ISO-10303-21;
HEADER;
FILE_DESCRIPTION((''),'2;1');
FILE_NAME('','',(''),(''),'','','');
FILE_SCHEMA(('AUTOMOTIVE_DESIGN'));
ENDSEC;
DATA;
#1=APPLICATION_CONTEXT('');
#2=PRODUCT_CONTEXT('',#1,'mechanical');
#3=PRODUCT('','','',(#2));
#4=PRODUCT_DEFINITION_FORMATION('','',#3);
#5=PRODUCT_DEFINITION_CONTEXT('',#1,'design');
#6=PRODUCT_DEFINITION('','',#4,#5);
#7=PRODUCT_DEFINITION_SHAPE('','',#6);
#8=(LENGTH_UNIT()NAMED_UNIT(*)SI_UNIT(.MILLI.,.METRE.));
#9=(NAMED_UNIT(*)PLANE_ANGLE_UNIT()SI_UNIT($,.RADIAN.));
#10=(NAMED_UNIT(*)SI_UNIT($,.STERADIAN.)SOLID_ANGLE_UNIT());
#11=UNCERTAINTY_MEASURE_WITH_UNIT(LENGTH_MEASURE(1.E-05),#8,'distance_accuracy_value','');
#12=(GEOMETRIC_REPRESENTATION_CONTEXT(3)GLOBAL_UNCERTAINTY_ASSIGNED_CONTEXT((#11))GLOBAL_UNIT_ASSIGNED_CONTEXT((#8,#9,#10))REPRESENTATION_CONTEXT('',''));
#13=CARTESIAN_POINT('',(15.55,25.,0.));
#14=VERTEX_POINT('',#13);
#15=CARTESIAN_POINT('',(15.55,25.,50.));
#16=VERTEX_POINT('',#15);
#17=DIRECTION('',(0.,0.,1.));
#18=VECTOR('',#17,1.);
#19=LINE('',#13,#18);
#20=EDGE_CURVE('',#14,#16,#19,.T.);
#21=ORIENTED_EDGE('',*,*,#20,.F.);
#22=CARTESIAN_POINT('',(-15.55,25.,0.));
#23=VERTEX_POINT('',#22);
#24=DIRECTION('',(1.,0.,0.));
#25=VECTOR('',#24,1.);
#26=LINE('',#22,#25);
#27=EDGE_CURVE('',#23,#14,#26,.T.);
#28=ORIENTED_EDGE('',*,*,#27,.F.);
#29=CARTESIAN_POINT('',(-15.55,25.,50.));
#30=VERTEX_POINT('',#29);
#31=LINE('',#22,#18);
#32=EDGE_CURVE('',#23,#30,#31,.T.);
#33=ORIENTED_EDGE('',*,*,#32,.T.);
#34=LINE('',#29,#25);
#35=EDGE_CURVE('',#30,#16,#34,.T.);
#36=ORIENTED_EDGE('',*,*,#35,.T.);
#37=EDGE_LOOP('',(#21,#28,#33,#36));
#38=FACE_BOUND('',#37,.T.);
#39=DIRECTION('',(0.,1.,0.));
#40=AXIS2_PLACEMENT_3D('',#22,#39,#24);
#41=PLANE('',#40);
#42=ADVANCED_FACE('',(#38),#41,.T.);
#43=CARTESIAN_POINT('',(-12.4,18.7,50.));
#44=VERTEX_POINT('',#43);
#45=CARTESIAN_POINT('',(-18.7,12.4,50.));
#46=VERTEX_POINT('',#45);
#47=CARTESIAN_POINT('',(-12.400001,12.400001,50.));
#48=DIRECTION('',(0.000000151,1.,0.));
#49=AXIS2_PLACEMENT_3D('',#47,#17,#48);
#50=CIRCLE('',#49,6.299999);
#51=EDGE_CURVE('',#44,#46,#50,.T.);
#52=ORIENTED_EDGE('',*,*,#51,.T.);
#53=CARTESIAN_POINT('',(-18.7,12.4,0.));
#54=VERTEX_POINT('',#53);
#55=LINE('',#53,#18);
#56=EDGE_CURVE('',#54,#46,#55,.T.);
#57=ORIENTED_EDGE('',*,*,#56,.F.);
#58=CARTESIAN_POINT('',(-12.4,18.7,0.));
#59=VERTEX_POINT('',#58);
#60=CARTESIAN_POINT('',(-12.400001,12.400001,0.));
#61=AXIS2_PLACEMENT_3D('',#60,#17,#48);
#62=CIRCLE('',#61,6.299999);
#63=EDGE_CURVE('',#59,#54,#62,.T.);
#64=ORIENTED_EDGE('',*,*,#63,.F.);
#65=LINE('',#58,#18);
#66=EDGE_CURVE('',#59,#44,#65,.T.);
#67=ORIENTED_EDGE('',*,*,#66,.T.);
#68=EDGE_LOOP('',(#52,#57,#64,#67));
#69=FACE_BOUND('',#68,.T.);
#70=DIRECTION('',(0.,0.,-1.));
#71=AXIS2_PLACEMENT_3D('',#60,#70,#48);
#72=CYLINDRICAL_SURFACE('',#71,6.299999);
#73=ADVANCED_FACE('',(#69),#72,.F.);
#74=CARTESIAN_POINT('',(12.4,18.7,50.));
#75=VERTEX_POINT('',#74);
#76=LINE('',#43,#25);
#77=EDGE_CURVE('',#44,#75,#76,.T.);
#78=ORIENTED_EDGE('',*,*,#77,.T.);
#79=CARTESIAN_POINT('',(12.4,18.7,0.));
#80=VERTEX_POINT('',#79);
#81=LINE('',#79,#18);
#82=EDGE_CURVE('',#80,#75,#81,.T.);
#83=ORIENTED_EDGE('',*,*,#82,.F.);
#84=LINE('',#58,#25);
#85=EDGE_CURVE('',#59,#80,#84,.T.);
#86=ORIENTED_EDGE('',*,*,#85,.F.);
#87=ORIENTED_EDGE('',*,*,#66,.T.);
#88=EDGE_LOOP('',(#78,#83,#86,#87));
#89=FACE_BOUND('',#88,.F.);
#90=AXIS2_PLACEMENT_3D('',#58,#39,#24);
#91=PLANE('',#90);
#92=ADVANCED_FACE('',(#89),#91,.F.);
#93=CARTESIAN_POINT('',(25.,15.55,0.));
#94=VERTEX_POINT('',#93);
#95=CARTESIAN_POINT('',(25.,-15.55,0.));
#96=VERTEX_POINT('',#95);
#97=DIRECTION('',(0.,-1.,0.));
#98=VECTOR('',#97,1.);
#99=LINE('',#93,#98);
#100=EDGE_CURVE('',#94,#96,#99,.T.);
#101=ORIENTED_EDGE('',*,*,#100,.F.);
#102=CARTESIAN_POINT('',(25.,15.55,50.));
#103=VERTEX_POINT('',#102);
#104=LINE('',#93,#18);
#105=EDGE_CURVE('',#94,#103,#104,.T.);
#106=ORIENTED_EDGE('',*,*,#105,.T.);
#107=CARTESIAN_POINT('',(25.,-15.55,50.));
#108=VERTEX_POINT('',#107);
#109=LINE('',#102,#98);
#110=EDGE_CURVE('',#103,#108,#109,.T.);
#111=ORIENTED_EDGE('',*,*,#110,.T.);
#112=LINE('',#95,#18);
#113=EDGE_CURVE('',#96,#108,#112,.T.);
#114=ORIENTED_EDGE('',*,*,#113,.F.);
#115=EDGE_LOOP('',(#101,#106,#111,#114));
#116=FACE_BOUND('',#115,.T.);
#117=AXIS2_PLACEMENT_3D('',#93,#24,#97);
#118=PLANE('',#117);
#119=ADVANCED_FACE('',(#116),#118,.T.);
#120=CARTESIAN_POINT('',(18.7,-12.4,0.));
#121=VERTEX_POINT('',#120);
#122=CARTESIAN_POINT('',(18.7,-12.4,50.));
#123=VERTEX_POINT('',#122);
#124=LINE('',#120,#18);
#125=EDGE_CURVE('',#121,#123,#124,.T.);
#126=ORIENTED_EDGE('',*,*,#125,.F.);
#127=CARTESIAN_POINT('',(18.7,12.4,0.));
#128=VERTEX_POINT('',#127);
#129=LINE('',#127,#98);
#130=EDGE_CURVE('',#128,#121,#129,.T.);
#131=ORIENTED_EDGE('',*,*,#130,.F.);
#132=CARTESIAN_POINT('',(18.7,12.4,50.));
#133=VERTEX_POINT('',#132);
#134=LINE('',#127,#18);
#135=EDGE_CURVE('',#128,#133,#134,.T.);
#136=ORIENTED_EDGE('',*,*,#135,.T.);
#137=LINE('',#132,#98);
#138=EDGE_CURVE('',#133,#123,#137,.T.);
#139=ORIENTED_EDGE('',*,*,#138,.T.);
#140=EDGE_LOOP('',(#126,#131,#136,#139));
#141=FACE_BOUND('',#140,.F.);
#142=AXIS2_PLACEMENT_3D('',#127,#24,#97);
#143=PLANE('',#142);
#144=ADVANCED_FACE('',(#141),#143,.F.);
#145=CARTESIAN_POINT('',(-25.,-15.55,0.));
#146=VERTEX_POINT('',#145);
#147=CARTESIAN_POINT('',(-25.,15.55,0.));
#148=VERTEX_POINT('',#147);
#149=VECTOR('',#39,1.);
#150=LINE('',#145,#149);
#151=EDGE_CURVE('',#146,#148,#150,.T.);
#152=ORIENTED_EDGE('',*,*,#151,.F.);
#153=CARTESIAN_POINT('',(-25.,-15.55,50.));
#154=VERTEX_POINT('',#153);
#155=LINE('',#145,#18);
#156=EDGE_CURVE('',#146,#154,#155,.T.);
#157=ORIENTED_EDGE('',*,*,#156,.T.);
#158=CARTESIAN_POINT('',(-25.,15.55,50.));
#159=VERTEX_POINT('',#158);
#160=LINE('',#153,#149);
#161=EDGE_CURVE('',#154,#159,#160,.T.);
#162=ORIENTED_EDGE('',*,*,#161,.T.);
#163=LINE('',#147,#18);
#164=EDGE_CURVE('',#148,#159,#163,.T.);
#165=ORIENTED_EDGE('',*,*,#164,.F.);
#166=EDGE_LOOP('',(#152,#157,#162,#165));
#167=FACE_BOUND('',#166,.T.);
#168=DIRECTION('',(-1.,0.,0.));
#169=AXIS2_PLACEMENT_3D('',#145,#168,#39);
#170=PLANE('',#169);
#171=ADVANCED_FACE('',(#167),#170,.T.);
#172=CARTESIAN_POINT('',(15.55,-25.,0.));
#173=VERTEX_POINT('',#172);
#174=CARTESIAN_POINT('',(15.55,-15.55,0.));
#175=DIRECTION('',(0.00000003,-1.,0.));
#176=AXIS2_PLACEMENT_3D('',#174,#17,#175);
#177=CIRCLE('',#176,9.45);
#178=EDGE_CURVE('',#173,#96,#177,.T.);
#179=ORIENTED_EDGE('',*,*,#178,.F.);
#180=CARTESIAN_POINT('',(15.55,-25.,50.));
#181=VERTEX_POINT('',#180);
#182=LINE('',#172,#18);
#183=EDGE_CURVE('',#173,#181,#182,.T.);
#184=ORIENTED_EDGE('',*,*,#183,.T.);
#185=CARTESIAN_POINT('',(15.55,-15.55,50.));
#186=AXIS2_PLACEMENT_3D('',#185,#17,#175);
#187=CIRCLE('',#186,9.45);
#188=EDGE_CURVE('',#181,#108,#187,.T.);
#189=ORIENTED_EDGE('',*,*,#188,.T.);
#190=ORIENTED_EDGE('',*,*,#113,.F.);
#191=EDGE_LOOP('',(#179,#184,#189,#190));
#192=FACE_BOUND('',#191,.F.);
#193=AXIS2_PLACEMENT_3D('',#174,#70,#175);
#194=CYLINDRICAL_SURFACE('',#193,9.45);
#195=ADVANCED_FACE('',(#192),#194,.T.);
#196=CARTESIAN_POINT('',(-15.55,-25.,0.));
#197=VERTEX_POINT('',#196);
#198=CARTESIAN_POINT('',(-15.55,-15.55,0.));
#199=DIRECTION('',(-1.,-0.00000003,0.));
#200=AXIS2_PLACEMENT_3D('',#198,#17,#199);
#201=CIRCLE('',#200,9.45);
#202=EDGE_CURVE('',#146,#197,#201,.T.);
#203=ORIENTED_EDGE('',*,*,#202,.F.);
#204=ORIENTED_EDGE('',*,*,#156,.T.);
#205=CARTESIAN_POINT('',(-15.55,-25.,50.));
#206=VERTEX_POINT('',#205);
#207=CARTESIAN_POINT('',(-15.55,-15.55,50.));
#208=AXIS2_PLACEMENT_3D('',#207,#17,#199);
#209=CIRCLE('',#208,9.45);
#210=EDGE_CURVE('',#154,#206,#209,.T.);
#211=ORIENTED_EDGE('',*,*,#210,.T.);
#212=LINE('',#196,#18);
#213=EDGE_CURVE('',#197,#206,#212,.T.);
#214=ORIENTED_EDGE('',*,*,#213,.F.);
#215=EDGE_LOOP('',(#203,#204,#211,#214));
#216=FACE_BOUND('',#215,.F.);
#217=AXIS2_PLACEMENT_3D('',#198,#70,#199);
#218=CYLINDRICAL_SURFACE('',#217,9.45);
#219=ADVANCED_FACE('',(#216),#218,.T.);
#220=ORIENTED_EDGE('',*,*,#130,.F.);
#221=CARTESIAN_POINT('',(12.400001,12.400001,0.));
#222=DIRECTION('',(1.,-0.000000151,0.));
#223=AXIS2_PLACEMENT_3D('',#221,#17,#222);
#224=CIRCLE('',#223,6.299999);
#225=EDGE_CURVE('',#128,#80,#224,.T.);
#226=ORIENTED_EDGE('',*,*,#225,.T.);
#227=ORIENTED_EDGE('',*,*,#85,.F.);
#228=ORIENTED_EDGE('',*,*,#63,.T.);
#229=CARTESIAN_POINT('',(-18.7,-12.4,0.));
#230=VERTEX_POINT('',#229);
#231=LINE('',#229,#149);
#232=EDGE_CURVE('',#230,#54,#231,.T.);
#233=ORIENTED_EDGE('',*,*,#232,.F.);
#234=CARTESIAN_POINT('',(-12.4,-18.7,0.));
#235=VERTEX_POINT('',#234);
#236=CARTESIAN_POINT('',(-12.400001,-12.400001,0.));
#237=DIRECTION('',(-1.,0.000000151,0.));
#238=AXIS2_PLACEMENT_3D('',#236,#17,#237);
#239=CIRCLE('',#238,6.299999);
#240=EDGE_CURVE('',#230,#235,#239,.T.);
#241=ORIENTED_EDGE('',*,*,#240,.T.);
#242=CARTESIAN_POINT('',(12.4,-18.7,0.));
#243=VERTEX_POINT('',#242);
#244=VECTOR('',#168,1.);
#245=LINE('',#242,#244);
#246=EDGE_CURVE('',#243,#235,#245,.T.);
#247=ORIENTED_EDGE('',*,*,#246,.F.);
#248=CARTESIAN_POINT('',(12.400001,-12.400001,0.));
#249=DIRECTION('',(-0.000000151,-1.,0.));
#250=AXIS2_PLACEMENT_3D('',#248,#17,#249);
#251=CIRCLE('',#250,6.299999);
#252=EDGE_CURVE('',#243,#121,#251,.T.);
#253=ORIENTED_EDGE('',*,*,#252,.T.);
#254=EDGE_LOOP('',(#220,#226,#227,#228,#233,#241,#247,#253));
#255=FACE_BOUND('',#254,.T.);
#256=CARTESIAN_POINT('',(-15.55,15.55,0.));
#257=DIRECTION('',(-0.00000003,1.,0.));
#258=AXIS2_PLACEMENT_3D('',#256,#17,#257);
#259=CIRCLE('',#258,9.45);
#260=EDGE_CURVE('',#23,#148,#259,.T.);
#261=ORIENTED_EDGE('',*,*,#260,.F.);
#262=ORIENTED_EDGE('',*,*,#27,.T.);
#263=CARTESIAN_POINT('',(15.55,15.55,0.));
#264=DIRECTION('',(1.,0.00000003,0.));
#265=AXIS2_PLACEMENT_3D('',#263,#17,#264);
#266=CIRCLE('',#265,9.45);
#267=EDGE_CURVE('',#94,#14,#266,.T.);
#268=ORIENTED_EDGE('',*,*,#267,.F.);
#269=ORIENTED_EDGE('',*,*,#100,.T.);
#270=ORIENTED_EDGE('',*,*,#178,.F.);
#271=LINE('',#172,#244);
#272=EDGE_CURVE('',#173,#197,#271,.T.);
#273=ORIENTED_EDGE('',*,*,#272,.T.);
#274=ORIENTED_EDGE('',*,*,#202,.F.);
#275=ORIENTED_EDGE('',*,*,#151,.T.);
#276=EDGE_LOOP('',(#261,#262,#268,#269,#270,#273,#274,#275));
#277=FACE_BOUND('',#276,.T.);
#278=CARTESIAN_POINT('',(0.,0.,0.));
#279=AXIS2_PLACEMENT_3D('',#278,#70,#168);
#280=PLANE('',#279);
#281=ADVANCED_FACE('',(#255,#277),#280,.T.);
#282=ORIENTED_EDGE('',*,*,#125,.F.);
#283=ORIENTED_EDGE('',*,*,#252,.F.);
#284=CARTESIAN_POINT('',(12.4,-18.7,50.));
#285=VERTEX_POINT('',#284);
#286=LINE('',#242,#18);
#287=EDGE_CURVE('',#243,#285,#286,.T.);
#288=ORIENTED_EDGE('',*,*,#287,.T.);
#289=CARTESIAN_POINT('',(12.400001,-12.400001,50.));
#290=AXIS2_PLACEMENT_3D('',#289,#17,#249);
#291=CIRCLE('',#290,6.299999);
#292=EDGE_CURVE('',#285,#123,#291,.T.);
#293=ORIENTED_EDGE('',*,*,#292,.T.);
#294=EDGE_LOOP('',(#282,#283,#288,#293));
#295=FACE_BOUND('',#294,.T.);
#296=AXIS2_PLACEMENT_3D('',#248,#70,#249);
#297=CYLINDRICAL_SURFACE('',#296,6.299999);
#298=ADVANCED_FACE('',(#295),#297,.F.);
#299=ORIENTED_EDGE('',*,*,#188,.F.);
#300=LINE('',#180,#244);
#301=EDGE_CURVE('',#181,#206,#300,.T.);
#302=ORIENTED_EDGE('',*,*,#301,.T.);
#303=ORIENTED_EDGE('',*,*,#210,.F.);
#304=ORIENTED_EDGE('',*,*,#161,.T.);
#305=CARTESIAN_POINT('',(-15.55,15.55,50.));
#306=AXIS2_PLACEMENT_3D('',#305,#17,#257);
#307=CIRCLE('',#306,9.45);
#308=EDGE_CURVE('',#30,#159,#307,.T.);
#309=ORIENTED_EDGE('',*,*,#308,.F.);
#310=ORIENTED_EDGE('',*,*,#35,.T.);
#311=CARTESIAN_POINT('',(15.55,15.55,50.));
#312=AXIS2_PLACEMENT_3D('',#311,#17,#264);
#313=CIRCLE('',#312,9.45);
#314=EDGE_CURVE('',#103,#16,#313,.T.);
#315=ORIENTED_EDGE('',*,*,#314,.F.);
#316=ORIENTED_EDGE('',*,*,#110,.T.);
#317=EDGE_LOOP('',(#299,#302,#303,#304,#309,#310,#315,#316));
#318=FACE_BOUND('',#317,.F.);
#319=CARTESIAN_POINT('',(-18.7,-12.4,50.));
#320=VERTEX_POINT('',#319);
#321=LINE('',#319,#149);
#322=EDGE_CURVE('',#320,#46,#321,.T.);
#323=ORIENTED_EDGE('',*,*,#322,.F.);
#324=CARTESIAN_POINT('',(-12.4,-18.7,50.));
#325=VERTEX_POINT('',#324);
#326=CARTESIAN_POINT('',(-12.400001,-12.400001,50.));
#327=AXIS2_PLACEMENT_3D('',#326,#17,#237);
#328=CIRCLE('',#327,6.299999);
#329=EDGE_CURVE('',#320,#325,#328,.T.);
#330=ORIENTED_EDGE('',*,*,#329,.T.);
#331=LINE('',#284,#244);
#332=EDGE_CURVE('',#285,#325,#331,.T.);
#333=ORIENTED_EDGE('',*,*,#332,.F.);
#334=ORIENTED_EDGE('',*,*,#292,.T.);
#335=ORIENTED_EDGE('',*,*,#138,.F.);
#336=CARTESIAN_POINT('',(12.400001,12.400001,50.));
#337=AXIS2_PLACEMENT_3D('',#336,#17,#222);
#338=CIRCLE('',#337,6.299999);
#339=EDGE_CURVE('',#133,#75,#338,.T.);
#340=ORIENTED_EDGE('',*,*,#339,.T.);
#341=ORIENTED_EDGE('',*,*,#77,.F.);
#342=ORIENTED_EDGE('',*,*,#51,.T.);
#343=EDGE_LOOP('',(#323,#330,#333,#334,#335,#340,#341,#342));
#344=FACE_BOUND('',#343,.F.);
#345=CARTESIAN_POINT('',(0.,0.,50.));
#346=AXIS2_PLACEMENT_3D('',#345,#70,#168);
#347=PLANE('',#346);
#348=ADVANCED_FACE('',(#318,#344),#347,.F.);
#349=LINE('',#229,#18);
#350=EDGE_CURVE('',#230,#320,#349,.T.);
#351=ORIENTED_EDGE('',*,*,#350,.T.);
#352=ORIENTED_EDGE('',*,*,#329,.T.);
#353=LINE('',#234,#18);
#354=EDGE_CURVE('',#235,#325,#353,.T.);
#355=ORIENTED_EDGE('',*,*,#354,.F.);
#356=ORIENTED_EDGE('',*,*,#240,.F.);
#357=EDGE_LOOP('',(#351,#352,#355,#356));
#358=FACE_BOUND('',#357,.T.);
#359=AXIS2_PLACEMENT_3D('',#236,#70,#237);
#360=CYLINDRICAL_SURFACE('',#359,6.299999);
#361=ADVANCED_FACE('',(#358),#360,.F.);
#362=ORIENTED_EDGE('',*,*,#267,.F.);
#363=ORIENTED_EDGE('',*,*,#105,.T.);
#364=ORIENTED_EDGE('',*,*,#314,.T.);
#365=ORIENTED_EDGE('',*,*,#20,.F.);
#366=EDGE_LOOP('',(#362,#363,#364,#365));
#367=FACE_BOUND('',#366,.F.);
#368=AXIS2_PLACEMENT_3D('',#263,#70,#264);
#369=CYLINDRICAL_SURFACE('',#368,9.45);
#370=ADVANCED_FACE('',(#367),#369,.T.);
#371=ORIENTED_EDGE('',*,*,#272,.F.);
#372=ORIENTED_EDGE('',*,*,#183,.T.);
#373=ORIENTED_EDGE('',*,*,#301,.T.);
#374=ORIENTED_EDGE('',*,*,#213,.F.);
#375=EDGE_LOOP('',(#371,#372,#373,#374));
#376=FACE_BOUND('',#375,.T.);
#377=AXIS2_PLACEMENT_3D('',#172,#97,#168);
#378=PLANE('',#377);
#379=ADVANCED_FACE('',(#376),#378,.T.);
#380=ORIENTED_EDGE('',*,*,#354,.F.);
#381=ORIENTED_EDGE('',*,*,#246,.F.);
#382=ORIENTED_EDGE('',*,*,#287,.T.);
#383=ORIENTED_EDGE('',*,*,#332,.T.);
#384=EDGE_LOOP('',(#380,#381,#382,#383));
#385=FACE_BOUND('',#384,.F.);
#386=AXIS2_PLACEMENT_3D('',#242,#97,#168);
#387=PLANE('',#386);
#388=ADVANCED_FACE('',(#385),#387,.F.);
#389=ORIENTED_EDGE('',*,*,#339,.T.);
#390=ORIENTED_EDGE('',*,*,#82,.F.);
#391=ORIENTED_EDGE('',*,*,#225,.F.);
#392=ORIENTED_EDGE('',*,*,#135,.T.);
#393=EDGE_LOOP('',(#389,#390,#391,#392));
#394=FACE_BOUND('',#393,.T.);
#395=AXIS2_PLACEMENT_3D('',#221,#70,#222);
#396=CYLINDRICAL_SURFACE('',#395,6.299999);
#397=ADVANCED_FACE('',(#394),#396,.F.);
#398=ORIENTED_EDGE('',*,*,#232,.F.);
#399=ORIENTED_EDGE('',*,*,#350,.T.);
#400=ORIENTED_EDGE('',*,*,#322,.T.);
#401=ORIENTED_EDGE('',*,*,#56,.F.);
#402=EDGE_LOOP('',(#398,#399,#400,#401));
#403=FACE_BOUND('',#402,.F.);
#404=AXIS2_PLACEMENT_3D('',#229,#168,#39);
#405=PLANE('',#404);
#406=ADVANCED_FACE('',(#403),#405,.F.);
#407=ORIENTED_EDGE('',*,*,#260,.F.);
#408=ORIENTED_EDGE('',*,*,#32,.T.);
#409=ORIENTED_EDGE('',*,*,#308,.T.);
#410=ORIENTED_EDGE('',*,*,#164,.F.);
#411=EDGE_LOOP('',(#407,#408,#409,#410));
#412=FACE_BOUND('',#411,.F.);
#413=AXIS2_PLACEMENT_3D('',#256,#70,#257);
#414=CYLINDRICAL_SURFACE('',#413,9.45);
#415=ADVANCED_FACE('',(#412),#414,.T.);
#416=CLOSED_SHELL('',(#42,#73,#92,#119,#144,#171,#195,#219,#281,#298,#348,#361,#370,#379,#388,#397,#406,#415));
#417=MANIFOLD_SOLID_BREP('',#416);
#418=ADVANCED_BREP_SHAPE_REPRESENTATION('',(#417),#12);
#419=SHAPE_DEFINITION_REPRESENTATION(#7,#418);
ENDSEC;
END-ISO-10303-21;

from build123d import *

# Parameters (mm, degrees)
EXTRUDE_DEPTH = 50


with BuildPart() as part:
    # Sketch → Extrude (new body)
    with BuildSketch(Plane.XY):
        with BuildLine():
            Line((-15.55, 25), (15.55, 25))
            ThreePointArc((25, 15.55), (22.232159, 22.232159), (15.55, 25))
            Line((25, 15.55), (25, -15.55))
            ThreePointArc((15.55, -25), (22.232159, -22.232159), (25, -15.55))
            Line((15.55, -25), (-15.55, -25))
            ThreePointArc((-25, -15.55), (-22.232159, -22.232159), (-15.55, -25))
            Line((-25, -15.55), (-25, 15.55))
            ThreePointArc((-15.55, 25), (-22.232159, 22.232159), (-25, 15.55))
        make_face()
        with BuildLine():
            Line((-12.4, 18.7), (12.4, 18.7))
            ThreePointArc((18.7, 12.4), (16.854773, 16.854773), (12.4, 18.7))
            Line((18.7, 12.4), (18.7, -12.4))
            ThreePointArc((12.4, -18.7), (16.854773, -16.854773), (18.7, -12.4))
            Line((12.4, -18.7), (-12.4, -18.7))
            ThreePointArc((-18.7, -12.4), (-16.854773, -16.854773), (-12.4, -18.7))
            Line((-18.7, -12.4), (-18.7, 12.4))
            ThreePointArc((-12.4, 18.7), (-16.854773, 16.854773), (-18.7, 12.4))
        make_face(mode=Mode.SUBTRACT)
    extrude(amount=EXTRUDE_DEPTH)


solid = part.part
